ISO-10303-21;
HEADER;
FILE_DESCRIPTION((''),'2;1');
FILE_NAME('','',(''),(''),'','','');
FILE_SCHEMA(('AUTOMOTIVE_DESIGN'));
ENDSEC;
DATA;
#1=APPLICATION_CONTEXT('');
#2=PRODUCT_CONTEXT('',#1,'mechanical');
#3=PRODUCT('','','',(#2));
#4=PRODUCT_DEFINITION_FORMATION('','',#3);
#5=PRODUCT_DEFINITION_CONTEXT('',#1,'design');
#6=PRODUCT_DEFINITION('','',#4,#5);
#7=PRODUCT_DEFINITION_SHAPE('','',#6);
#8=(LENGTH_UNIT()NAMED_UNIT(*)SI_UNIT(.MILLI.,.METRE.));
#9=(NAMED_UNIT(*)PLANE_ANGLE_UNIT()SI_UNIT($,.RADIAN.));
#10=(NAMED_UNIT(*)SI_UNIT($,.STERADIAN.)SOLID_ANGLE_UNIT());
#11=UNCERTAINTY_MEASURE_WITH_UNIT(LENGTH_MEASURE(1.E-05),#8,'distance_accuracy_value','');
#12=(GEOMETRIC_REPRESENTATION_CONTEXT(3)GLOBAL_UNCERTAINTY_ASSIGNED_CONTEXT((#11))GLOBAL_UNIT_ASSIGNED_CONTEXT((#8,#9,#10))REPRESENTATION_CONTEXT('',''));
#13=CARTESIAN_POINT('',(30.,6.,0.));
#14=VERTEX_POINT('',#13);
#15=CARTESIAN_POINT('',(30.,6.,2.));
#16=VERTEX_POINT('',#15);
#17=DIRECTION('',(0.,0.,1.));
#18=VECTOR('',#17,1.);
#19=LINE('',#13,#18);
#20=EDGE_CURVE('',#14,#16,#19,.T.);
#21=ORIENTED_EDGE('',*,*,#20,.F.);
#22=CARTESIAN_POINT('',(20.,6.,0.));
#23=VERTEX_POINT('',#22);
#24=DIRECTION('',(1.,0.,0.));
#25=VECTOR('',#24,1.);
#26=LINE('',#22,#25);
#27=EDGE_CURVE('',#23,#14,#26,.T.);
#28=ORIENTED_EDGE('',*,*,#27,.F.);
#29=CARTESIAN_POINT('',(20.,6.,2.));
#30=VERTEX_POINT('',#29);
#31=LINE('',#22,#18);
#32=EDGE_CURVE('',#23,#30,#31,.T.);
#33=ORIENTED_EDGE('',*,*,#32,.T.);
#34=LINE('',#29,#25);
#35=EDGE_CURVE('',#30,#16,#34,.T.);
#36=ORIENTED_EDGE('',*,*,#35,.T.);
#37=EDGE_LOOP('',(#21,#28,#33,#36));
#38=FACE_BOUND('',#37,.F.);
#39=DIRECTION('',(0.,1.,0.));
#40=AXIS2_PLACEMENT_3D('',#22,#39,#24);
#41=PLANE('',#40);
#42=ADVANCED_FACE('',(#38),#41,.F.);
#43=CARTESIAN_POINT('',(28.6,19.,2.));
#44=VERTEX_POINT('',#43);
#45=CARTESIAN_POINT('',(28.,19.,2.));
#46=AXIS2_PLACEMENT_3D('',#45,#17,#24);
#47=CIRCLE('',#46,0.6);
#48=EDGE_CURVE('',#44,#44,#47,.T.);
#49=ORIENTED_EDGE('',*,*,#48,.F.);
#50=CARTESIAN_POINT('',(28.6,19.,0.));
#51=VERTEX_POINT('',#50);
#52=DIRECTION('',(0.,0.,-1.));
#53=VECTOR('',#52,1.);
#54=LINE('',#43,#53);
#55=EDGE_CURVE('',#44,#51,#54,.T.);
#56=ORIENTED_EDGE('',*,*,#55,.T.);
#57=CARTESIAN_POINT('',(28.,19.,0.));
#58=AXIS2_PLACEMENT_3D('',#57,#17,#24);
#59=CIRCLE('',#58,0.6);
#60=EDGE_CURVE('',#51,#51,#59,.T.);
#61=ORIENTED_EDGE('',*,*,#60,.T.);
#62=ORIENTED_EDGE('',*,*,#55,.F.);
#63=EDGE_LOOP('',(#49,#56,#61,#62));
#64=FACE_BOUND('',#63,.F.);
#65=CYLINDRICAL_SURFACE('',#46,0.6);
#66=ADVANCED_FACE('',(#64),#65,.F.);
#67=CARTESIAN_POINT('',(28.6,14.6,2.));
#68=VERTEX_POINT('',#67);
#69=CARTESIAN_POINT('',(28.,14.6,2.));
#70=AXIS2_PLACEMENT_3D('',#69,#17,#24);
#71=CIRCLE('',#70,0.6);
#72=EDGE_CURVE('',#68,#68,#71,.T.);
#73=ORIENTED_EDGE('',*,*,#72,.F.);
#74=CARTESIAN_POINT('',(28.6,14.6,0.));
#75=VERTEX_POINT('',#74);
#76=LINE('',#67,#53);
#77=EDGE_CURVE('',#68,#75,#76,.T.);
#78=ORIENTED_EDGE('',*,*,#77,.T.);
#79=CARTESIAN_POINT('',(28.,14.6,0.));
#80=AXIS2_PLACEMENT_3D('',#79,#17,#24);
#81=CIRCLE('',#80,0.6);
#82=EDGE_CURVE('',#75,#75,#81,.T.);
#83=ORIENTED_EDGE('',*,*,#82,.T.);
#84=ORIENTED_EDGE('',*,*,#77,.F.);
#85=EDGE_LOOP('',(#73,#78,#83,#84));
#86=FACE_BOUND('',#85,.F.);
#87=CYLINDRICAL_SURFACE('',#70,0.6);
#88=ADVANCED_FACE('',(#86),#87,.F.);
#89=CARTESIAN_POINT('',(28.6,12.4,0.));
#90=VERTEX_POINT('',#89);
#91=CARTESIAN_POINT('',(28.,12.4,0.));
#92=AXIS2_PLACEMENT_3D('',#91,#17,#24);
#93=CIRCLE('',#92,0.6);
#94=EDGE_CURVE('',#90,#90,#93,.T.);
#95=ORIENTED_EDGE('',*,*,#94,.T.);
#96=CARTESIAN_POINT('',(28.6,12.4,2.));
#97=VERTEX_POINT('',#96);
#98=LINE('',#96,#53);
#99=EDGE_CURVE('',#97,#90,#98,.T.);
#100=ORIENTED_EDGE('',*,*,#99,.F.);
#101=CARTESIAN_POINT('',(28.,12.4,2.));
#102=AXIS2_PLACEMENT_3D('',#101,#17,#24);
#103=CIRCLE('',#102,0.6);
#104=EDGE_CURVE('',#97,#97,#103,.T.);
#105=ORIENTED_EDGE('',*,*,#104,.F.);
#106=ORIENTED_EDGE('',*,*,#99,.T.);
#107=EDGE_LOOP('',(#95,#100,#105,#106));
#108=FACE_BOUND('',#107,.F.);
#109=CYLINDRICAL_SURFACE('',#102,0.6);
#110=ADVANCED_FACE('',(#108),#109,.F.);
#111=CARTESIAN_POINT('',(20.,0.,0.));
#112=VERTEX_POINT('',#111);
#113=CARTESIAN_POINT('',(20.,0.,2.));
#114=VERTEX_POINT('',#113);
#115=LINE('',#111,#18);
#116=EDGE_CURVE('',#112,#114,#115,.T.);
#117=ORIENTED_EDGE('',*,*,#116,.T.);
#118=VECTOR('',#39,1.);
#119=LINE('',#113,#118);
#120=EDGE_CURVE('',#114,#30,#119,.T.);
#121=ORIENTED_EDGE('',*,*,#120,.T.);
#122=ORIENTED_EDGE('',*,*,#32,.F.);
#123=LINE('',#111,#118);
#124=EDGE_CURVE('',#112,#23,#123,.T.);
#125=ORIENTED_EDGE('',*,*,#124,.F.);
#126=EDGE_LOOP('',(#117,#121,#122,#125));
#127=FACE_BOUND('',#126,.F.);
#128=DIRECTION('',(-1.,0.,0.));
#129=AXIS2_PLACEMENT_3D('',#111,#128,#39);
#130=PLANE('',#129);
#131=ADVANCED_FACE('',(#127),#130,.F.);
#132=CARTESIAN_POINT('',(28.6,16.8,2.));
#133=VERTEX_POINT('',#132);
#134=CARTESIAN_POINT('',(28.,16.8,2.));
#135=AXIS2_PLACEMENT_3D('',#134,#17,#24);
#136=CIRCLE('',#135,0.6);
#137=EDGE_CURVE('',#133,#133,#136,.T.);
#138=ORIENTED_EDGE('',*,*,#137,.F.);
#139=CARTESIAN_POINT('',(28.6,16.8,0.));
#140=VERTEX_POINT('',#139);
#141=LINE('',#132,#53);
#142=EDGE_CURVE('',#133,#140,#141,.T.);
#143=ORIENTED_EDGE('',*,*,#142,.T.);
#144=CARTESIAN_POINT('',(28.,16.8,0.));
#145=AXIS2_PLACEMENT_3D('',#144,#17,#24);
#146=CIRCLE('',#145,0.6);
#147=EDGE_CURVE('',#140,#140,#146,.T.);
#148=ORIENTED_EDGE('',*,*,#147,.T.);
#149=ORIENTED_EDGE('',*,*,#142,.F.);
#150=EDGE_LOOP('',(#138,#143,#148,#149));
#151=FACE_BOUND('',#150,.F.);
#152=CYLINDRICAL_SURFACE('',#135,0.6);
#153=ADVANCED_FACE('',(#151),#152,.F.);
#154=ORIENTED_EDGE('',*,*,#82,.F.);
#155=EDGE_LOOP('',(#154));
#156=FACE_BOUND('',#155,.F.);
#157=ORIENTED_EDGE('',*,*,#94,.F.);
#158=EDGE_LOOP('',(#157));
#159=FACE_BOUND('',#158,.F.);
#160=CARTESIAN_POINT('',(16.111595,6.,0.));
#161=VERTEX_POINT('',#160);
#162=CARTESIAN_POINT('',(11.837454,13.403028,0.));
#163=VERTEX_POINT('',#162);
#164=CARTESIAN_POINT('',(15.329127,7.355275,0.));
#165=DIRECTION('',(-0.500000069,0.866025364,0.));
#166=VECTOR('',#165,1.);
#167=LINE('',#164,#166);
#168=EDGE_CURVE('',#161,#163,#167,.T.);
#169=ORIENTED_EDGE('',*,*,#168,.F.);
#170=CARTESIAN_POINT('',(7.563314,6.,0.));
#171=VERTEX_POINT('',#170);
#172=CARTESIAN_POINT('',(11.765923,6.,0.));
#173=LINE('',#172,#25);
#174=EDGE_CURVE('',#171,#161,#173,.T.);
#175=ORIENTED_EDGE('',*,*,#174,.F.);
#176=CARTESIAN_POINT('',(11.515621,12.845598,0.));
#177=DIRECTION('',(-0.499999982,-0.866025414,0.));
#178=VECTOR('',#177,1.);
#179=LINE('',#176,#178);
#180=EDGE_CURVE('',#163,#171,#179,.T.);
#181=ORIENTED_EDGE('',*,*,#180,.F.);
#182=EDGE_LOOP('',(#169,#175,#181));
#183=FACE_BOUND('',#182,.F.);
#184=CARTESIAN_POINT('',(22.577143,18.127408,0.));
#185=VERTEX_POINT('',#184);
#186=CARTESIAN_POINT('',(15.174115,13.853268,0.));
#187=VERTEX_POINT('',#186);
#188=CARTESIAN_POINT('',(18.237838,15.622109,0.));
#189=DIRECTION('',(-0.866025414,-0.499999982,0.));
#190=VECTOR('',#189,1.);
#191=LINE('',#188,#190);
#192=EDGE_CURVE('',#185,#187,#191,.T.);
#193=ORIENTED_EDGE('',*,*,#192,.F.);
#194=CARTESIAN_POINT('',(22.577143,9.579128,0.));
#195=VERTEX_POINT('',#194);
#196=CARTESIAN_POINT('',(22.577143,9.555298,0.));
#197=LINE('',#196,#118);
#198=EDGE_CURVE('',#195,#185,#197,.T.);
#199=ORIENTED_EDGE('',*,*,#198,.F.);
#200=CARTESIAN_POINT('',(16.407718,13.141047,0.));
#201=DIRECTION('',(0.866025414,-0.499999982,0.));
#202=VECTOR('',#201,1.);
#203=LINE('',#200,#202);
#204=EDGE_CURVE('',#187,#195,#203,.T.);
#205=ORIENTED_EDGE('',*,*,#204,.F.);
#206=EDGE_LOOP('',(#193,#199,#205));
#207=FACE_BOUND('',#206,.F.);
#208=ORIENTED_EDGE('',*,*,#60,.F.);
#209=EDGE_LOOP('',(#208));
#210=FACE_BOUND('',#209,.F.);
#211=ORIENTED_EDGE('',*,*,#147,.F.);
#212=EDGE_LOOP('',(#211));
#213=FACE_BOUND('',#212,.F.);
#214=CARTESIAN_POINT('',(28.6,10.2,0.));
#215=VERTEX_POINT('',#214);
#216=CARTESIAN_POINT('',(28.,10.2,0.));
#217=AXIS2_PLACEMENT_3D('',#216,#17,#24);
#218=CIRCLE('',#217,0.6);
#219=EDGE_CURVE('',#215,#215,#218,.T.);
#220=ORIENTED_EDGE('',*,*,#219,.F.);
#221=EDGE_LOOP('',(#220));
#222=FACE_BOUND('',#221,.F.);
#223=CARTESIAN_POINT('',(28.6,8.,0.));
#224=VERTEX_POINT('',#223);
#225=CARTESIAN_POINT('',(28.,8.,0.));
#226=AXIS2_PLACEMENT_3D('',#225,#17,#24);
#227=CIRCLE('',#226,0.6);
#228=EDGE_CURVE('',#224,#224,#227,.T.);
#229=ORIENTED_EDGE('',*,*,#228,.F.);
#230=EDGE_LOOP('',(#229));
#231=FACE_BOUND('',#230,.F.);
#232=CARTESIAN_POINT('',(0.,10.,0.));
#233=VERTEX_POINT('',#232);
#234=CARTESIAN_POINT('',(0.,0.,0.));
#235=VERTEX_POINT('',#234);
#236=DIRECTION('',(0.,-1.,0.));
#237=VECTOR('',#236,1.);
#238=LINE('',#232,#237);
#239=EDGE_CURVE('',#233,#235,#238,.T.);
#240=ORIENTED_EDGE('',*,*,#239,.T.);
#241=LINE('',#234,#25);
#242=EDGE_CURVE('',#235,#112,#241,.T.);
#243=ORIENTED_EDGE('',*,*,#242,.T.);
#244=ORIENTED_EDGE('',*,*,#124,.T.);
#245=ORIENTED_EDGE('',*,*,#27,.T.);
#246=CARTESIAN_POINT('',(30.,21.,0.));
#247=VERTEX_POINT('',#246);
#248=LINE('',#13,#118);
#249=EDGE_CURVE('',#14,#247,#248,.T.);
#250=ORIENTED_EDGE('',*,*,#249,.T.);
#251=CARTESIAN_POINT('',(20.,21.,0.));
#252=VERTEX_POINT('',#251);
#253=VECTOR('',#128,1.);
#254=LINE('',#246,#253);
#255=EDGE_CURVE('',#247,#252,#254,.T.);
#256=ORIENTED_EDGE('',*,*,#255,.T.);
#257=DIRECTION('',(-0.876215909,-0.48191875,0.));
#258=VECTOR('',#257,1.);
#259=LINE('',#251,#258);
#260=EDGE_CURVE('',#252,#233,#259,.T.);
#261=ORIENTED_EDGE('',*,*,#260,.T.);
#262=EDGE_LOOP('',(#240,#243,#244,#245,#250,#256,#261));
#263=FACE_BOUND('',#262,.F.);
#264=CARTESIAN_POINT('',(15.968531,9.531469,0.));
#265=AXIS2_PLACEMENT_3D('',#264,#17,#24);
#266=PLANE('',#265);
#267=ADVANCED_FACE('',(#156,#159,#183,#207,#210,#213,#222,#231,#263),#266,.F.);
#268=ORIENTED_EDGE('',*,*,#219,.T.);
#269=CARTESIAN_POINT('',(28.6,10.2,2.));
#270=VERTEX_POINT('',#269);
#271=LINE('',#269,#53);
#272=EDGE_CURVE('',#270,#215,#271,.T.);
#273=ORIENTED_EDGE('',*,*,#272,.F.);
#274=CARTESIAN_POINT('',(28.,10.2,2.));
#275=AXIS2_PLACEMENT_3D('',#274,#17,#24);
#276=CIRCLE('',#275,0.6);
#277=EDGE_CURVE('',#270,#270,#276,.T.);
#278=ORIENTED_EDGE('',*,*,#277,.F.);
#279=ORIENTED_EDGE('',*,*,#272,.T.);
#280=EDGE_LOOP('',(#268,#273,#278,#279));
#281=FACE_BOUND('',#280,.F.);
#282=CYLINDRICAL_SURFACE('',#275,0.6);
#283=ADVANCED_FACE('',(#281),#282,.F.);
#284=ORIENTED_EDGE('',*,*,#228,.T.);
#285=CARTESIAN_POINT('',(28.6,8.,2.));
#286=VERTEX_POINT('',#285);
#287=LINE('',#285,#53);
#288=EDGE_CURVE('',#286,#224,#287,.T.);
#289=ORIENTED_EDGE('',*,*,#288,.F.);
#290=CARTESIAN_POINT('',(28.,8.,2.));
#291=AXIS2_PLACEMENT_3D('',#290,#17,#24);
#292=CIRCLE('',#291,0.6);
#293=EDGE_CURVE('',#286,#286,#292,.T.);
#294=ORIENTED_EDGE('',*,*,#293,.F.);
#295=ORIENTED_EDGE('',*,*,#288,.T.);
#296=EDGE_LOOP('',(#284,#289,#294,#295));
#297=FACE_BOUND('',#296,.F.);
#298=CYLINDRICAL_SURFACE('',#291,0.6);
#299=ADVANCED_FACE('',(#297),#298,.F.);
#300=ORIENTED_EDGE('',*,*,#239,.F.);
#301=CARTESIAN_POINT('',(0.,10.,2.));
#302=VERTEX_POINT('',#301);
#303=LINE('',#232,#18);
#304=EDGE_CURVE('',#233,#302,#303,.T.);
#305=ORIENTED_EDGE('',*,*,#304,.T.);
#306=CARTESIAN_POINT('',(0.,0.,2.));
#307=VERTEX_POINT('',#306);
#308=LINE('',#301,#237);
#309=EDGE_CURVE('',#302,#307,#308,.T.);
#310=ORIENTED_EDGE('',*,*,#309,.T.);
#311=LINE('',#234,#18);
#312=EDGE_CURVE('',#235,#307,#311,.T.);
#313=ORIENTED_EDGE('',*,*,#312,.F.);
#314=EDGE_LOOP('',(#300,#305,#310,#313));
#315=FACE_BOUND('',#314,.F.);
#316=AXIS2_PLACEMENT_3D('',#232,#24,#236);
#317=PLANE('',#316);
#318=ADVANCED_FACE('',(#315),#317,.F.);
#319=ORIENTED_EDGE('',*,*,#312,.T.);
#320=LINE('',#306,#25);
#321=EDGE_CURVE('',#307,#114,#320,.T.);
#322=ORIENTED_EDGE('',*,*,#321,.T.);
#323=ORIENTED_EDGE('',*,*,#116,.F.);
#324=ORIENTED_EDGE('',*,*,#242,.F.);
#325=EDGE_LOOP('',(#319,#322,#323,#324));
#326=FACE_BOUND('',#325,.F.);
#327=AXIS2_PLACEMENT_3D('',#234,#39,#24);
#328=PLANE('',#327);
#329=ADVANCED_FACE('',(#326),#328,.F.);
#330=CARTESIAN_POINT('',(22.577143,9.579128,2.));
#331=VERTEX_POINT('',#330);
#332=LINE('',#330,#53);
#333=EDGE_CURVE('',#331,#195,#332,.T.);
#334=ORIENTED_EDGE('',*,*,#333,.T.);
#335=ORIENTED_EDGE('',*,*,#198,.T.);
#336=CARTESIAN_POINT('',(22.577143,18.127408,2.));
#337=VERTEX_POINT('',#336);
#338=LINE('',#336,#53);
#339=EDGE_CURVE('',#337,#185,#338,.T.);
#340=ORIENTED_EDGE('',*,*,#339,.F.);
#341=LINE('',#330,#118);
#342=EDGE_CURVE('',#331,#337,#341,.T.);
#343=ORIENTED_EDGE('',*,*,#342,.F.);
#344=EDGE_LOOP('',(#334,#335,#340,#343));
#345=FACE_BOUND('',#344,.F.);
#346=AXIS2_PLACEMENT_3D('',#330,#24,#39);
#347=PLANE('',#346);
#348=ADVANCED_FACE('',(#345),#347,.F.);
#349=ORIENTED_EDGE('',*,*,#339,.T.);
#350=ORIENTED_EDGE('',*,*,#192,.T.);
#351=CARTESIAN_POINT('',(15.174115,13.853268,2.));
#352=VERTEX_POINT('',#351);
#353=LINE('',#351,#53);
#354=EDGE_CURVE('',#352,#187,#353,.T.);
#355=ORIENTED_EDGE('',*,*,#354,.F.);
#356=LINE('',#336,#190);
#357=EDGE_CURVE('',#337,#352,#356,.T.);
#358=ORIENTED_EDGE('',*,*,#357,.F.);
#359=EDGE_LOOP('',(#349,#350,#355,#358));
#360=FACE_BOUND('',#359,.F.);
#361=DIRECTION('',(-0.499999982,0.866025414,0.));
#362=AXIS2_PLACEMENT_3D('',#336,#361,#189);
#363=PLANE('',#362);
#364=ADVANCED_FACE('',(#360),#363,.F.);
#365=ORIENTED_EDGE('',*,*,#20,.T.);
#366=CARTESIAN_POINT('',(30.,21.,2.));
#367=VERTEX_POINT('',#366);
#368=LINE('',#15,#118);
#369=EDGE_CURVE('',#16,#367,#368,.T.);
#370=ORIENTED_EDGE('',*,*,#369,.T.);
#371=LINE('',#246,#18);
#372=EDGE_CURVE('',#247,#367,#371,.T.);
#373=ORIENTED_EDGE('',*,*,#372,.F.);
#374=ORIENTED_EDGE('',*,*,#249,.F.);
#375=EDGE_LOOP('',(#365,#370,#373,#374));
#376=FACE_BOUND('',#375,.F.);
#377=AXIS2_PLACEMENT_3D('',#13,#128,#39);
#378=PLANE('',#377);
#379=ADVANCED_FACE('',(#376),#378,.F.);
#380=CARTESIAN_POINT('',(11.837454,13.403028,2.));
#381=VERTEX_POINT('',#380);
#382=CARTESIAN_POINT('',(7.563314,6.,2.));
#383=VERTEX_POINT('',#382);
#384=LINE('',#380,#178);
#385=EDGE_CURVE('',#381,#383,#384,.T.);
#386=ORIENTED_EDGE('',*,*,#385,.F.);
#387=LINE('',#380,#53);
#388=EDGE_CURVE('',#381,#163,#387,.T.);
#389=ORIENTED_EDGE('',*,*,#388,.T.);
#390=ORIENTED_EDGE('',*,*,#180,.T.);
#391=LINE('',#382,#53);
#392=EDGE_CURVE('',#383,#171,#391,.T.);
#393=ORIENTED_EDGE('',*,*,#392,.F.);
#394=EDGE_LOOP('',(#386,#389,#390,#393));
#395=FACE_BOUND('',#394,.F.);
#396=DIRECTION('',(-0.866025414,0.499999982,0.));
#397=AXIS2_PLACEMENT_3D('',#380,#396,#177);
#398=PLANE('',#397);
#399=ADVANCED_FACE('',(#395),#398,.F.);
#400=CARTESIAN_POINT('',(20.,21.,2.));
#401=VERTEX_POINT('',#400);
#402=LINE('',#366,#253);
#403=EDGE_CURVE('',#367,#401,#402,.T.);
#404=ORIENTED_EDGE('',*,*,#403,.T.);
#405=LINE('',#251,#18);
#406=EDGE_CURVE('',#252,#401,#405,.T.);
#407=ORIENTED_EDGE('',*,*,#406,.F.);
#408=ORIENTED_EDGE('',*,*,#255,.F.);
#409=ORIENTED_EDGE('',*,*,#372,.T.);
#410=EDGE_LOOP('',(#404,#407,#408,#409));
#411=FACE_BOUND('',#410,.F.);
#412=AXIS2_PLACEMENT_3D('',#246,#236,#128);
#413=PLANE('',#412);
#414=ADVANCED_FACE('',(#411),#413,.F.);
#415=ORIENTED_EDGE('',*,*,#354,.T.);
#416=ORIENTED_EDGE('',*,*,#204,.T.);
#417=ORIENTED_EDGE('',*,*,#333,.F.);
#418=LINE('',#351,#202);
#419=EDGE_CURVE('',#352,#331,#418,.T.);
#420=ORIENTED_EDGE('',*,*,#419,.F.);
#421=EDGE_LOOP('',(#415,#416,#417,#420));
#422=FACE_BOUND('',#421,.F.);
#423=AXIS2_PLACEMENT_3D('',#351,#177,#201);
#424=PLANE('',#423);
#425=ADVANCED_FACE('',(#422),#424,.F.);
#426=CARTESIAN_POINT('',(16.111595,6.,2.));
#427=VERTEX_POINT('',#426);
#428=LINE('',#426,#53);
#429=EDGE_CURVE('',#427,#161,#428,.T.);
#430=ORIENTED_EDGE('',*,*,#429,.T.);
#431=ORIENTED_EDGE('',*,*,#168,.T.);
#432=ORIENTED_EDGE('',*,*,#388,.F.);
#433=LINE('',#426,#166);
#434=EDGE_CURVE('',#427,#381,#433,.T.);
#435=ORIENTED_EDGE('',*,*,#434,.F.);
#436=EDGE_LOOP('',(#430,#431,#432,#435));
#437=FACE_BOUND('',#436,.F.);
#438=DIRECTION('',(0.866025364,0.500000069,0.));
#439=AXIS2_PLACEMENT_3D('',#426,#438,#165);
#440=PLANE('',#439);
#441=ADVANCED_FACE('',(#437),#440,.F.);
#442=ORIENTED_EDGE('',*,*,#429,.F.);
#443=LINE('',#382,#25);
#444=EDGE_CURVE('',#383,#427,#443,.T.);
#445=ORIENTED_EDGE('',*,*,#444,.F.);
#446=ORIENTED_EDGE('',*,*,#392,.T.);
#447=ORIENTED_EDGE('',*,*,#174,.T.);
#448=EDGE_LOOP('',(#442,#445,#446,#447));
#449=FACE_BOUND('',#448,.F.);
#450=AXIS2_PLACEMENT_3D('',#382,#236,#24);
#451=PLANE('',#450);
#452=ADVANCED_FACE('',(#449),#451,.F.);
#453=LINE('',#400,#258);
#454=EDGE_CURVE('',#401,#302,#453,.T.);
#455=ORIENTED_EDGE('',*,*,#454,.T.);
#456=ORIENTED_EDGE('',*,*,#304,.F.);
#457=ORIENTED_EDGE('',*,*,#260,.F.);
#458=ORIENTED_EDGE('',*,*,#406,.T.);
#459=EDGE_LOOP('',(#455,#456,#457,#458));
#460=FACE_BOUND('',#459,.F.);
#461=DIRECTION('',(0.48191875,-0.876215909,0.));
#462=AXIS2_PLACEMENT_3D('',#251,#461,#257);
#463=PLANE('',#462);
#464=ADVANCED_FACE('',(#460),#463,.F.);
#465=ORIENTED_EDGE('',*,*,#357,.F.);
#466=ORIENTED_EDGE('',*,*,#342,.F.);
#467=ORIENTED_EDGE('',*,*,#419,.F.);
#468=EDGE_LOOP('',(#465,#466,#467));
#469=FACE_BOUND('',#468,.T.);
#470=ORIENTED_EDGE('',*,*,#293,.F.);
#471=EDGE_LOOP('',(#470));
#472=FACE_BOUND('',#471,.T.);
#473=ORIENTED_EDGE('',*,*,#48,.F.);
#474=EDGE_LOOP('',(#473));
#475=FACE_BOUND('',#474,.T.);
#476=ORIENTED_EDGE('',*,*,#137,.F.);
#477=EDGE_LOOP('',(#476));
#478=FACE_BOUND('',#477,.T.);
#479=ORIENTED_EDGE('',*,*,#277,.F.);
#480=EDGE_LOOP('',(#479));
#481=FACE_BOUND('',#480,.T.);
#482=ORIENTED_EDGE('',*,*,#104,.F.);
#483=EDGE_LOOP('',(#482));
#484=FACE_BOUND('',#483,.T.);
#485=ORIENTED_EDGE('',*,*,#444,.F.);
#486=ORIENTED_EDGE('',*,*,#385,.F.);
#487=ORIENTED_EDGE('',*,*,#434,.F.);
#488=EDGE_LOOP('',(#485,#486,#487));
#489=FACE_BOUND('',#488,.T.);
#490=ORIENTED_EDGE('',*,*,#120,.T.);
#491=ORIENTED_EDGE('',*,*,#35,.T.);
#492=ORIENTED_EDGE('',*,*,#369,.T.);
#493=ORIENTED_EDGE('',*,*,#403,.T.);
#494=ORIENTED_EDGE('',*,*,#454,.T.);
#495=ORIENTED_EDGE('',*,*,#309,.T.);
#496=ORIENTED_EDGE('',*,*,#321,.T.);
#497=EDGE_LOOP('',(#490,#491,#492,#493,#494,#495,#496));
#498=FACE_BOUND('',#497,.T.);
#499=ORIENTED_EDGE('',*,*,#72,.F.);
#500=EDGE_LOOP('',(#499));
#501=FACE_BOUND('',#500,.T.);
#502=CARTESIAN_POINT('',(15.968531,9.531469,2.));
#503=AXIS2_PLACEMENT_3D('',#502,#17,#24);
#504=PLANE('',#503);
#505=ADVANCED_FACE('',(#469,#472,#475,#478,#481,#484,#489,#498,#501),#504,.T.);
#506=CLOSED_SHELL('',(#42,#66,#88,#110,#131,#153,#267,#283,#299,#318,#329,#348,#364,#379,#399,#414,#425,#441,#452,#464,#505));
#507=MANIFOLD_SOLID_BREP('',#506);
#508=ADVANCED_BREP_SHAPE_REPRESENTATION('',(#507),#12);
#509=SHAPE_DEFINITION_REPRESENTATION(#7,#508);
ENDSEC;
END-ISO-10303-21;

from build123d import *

# Parameters (mm, degrees)
PAD_DEPTH           = 2
SKETCH001_R         = 0.6
HOLE_DEPTH          = 2.001
LINEARPATTERN_COUNT = 6
LINEARPATTERN_PITCH = 2.2
POCKET_DEPTH        = 2.001


with BuildPart() as part:
    # Sketch → Pad (new body)
    with BuildSketch(Plane.XY):
        Polygon((0, 0), (20, 0), (20, 6), (30, 6), (30, 21), (20, 21), (0, 10), align=None)
    extrude(amount=PAD_DEPTH)

    # Sketch001 (on Face9 of Pad) → Hole (cut, through all)
    with BuildSketch(Plane.XY.offset(2)):
        with Locations((28, 19)):
            Circle(SKETCH001_R)
    hole = extrude(amount=-HOLE_DEPTH, mode=Mode.SUBTRACT)

    # LinearPattern: Hole ×6
    with Locations(*[(0, -i * LINEARPATTERN_PITCH, 0) for i in range(1, LINEARPATTERN_COUNT)]):
        add(hole, mode=Mode.SUBTRACT)

    # Sketch002 (on Face5 of LinearPattern) → Pocket (cut, through all)
    with BuildSketch(Plane.XY.offset(2)):
        Polygon((11.837454, 13.403028), (7.563314, 6), (16.111595, 6), align=None)
        Polygon((22.577143, 9.579128), (22.577143, 18.127408), (15.174115, 13.853268), align=None)
    extrude(amount=-POCKET_DEPTH, mode=Mode.SUBTRACT)


solid = part.part
